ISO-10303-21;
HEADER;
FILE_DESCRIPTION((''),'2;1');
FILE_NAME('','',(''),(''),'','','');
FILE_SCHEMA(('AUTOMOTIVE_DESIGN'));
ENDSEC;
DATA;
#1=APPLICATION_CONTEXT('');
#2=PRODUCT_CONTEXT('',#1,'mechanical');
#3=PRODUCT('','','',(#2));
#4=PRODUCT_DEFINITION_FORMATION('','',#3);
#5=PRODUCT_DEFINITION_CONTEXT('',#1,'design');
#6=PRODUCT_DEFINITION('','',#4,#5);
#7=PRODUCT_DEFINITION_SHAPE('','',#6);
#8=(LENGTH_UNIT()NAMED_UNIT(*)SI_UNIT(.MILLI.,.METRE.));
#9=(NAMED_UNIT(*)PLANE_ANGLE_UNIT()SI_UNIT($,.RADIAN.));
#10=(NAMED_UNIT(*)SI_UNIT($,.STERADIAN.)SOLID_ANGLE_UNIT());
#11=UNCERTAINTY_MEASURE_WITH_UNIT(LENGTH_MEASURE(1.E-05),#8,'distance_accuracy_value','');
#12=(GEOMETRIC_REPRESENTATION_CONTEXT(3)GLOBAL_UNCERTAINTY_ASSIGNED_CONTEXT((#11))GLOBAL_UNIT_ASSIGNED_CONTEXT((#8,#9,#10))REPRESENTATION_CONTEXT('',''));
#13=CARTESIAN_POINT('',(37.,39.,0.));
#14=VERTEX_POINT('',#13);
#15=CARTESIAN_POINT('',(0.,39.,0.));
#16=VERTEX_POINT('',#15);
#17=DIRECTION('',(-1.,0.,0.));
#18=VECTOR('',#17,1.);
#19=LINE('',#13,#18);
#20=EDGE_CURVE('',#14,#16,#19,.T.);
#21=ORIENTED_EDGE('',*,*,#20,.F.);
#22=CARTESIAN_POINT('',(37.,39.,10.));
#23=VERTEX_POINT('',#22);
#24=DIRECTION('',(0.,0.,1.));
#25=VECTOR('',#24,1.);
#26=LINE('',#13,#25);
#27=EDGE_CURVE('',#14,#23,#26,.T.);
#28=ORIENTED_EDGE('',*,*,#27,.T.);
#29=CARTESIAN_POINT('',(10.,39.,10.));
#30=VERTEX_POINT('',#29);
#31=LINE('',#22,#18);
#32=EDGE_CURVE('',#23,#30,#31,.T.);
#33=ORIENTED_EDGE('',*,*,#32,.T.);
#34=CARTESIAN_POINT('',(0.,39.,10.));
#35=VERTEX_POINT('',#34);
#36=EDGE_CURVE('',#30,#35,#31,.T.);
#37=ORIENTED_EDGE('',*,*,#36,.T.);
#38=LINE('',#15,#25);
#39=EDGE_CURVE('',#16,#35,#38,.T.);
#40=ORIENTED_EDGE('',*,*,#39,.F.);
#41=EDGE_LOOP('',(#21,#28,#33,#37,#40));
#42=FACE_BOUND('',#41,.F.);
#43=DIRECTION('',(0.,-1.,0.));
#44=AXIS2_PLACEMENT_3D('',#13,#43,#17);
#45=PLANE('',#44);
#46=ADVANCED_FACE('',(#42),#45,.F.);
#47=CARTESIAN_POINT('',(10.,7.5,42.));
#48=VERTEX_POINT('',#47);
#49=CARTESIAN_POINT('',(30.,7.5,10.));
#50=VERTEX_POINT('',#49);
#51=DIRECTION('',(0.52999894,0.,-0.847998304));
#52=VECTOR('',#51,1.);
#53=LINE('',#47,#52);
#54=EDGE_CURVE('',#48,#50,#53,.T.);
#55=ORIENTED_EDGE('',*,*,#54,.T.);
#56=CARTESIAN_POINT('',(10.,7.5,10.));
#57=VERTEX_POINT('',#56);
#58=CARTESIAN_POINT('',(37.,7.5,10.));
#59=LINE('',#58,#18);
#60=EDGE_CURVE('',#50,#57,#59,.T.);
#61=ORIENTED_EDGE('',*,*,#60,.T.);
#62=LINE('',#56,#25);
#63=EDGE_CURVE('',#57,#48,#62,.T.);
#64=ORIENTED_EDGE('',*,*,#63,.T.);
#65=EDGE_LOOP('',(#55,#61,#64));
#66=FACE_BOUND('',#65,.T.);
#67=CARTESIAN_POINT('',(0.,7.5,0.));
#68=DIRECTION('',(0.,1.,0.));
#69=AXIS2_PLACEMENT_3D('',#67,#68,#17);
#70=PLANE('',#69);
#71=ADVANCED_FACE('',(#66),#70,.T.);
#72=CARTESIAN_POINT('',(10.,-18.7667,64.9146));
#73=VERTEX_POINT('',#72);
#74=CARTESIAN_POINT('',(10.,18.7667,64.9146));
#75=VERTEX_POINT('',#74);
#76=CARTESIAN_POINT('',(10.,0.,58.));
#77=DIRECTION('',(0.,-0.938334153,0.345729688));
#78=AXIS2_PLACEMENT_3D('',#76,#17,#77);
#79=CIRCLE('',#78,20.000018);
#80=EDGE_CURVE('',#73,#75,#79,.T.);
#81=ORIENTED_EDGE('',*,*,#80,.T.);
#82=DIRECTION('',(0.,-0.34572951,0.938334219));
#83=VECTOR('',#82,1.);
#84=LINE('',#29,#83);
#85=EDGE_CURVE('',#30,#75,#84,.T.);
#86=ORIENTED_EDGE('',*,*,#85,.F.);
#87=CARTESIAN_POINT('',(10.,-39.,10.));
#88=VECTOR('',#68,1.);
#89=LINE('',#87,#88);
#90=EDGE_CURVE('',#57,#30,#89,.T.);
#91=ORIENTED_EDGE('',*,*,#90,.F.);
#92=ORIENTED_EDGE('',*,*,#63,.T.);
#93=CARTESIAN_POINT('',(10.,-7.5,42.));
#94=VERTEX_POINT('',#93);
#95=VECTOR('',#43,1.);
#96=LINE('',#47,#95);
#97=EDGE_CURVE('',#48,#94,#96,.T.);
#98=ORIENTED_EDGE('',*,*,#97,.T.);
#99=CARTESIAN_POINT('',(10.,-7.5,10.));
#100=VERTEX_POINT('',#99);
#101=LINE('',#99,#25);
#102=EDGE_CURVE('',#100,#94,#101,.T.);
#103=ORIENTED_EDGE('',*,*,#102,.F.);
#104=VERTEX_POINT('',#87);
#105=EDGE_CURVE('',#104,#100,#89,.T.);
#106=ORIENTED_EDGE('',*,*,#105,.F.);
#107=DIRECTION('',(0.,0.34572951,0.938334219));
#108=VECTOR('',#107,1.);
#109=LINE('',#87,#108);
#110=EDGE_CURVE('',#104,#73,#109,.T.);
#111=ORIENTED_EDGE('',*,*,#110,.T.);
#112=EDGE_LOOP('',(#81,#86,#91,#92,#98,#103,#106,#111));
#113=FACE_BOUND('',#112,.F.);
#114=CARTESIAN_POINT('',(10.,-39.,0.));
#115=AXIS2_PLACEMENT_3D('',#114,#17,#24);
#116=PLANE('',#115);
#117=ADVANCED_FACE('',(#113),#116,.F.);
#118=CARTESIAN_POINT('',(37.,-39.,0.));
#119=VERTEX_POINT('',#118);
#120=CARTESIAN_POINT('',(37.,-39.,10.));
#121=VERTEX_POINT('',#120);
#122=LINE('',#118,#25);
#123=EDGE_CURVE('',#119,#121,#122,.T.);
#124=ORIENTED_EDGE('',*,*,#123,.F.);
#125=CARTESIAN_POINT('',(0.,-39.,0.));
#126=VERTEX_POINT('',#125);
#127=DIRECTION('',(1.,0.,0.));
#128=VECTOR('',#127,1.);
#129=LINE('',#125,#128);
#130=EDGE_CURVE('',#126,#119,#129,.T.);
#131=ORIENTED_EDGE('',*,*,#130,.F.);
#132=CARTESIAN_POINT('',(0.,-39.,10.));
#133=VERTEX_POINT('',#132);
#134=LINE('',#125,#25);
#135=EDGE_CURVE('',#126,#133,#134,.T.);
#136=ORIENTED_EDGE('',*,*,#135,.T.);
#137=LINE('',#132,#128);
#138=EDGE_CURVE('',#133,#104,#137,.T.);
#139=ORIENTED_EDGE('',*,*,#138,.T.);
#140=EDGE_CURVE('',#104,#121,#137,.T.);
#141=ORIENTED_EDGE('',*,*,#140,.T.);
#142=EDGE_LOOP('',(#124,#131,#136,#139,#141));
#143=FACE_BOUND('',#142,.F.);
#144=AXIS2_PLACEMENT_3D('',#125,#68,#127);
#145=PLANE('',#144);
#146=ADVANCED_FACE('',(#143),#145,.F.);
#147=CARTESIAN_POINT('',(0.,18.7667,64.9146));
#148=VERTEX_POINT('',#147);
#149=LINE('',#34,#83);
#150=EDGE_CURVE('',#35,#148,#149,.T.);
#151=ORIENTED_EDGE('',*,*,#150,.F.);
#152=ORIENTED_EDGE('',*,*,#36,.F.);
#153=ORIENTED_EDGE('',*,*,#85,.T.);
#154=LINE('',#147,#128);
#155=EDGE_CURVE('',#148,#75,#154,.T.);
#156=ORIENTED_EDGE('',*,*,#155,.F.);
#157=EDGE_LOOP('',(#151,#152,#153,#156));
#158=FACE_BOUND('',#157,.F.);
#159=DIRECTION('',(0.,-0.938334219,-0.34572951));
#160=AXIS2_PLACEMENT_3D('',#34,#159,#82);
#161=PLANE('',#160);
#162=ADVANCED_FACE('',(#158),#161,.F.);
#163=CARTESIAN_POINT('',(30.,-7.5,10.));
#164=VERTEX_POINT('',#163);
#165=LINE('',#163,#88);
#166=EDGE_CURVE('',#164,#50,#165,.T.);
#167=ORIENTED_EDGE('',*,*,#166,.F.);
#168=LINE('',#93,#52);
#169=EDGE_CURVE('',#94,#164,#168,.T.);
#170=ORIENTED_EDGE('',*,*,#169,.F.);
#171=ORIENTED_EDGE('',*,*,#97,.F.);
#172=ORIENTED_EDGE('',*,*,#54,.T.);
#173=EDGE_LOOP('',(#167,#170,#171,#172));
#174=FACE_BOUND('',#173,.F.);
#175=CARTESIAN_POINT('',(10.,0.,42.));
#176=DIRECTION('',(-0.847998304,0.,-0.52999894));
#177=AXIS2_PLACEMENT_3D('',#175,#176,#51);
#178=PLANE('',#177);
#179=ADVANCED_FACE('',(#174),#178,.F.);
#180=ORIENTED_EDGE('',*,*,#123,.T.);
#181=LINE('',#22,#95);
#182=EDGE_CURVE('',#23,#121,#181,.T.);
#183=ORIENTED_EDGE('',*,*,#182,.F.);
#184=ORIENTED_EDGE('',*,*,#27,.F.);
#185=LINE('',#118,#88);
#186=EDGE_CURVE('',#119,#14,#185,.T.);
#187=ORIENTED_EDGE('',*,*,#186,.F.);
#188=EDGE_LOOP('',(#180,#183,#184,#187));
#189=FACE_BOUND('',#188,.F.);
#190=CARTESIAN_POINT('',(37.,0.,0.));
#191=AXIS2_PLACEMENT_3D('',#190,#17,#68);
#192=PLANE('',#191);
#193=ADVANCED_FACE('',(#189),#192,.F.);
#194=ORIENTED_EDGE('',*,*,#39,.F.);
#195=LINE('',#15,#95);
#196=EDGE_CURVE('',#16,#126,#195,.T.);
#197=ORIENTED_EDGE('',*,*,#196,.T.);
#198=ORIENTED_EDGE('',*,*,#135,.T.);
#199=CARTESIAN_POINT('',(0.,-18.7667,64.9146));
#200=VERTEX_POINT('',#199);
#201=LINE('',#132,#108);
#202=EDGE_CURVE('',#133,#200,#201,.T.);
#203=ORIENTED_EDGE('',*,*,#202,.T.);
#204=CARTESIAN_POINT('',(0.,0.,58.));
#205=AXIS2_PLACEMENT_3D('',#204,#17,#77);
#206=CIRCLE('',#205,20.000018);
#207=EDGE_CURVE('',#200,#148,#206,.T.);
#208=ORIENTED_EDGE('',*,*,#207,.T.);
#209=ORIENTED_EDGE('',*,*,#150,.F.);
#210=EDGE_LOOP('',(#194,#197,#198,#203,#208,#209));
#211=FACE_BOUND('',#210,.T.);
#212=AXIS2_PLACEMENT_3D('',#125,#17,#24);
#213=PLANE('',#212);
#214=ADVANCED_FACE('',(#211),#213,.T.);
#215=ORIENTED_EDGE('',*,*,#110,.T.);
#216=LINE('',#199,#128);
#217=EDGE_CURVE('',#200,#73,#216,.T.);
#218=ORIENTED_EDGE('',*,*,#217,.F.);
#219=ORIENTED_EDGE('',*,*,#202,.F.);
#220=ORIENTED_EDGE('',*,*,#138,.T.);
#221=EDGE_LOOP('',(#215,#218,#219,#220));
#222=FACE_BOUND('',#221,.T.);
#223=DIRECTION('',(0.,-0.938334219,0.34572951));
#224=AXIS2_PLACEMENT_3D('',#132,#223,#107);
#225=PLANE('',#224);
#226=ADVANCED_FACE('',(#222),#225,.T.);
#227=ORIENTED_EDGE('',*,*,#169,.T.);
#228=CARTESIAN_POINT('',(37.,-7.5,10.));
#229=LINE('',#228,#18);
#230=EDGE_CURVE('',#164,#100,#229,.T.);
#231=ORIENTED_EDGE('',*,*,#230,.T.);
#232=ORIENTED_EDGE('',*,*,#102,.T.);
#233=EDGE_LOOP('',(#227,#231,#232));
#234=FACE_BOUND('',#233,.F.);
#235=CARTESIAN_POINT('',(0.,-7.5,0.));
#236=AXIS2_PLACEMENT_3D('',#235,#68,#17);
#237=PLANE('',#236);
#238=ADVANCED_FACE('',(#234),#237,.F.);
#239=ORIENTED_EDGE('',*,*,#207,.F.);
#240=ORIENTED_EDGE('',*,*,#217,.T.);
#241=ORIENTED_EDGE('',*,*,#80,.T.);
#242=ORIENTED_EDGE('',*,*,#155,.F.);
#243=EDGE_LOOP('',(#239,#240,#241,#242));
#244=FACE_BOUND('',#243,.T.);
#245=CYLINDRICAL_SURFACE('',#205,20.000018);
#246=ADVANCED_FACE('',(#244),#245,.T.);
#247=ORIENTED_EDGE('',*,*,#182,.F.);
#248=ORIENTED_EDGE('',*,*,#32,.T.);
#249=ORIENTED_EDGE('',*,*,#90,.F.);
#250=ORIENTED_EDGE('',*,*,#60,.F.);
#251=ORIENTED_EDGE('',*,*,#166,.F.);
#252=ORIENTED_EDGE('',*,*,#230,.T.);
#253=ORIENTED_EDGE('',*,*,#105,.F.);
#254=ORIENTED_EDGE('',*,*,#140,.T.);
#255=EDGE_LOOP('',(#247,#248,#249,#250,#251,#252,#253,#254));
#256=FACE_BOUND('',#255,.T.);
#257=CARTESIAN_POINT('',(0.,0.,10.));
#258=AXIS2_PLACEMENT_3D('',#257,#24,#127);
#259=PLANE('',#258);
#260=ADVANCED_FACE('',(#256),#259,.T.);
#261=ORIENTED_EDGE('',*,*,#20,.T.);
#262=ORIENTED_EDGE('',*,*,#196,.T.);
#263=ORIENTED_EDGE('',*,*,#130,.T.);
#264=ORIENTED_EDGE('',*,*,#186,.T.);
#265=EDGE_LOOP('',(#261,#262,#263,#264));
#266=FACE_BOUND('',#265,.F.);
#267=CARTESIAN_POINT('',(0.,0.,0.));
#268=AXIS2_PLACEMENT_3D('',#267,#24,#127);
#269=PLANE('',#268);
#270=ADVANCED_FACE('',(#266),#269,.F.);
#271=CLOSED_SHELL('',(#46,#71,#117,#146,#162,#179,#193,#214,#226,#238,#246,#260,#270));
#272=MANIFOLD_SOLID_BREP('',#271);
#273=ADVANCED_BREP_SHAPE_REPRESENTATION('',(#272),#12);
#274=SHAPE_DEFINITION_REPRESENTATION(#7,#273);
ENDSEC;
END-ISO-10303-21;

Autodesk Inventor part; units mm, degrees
ref_plane "YZ Plane" through (0, 0, 0) normal (1, 0, 0) x (0, 1, 0)
ref_plane "XZ Plane" through (0, 0, 0) normal (0, 1, 0) x (-1, 0, 0)
ref_plane "XY Plane" through (0, 0, 0) normal (0, 0, 1) x (1, 0, 0)
sketch "Sketch1" plane through (0, 0, 0) normal (0, 0, 1) x (1, 0, 0)
  line L0 (0, 54.6) -> (0, -54.6) projected
  line L1 (-7.4, 0) -> (44.4, 0) projected
  line L2 (0, -39) -> (37, -39)
  line L3 (37, -39) -> (37, 39)
  line L4 (37, 39) -> (0, 39)
  line L5 (0, 39) -> (0, -39)
  dimension "d0" = 78
  dimension "d1" = 37
extrude "Extrusion1" add sketch "Sketch1" along normal blind 10
sketch "Sketch2" plane through (0, -39, 0) normal (-1, 0, 0) x (0, 0, 1)
  line L0 (10, 0) -> (10, 78) projected
  line L1 (0, 0) -> (10, 0) projected
  arc A0 (64.9146, 20.2333) -> (64.9146, 57.7667) centre (58, 39) ccw
  line L2 (10, 78) -> (64.9146, 57.7667)
  line L3 (10, 0) -> (64.9146, 20.2333)
  line L4 (10, 39) -> (96.3921, 39) construction
  dimension "d4" = 20
  dimension "d5" = 48
extrude "Extrusion2" add sketch "Sketch2" against normal blind 10
sketch "Sketch4" plane through (0, 0, 0) normal (0, 1, 0) x (-1, 0, 0)
  line L0 (-37, 10) -> (-10, 10)
  line L1 (-10, 10) -> (0, 10)
  line L2 (0, 0) -> (0, 10)
  line L3 (0, 0) -> (-37, 0)
  line L4 (-37, 0) -> (-37, 10)
  line L5 (-10, 10) -> (-10, 64.9146)
  line L6 (-10, 42) -> (-30, 10)
  line L7 (-10, 42) -> (-10, 10)
  line L8 (-10, 10) -> (-30, 10)
  dimension "d12" = 32
  dimension "d13" = 20
extrude "Extrusion3" add sketch "Sketch4" along normal mid plane 15 contours L6 L5 L0
properties part number "Bracket"
